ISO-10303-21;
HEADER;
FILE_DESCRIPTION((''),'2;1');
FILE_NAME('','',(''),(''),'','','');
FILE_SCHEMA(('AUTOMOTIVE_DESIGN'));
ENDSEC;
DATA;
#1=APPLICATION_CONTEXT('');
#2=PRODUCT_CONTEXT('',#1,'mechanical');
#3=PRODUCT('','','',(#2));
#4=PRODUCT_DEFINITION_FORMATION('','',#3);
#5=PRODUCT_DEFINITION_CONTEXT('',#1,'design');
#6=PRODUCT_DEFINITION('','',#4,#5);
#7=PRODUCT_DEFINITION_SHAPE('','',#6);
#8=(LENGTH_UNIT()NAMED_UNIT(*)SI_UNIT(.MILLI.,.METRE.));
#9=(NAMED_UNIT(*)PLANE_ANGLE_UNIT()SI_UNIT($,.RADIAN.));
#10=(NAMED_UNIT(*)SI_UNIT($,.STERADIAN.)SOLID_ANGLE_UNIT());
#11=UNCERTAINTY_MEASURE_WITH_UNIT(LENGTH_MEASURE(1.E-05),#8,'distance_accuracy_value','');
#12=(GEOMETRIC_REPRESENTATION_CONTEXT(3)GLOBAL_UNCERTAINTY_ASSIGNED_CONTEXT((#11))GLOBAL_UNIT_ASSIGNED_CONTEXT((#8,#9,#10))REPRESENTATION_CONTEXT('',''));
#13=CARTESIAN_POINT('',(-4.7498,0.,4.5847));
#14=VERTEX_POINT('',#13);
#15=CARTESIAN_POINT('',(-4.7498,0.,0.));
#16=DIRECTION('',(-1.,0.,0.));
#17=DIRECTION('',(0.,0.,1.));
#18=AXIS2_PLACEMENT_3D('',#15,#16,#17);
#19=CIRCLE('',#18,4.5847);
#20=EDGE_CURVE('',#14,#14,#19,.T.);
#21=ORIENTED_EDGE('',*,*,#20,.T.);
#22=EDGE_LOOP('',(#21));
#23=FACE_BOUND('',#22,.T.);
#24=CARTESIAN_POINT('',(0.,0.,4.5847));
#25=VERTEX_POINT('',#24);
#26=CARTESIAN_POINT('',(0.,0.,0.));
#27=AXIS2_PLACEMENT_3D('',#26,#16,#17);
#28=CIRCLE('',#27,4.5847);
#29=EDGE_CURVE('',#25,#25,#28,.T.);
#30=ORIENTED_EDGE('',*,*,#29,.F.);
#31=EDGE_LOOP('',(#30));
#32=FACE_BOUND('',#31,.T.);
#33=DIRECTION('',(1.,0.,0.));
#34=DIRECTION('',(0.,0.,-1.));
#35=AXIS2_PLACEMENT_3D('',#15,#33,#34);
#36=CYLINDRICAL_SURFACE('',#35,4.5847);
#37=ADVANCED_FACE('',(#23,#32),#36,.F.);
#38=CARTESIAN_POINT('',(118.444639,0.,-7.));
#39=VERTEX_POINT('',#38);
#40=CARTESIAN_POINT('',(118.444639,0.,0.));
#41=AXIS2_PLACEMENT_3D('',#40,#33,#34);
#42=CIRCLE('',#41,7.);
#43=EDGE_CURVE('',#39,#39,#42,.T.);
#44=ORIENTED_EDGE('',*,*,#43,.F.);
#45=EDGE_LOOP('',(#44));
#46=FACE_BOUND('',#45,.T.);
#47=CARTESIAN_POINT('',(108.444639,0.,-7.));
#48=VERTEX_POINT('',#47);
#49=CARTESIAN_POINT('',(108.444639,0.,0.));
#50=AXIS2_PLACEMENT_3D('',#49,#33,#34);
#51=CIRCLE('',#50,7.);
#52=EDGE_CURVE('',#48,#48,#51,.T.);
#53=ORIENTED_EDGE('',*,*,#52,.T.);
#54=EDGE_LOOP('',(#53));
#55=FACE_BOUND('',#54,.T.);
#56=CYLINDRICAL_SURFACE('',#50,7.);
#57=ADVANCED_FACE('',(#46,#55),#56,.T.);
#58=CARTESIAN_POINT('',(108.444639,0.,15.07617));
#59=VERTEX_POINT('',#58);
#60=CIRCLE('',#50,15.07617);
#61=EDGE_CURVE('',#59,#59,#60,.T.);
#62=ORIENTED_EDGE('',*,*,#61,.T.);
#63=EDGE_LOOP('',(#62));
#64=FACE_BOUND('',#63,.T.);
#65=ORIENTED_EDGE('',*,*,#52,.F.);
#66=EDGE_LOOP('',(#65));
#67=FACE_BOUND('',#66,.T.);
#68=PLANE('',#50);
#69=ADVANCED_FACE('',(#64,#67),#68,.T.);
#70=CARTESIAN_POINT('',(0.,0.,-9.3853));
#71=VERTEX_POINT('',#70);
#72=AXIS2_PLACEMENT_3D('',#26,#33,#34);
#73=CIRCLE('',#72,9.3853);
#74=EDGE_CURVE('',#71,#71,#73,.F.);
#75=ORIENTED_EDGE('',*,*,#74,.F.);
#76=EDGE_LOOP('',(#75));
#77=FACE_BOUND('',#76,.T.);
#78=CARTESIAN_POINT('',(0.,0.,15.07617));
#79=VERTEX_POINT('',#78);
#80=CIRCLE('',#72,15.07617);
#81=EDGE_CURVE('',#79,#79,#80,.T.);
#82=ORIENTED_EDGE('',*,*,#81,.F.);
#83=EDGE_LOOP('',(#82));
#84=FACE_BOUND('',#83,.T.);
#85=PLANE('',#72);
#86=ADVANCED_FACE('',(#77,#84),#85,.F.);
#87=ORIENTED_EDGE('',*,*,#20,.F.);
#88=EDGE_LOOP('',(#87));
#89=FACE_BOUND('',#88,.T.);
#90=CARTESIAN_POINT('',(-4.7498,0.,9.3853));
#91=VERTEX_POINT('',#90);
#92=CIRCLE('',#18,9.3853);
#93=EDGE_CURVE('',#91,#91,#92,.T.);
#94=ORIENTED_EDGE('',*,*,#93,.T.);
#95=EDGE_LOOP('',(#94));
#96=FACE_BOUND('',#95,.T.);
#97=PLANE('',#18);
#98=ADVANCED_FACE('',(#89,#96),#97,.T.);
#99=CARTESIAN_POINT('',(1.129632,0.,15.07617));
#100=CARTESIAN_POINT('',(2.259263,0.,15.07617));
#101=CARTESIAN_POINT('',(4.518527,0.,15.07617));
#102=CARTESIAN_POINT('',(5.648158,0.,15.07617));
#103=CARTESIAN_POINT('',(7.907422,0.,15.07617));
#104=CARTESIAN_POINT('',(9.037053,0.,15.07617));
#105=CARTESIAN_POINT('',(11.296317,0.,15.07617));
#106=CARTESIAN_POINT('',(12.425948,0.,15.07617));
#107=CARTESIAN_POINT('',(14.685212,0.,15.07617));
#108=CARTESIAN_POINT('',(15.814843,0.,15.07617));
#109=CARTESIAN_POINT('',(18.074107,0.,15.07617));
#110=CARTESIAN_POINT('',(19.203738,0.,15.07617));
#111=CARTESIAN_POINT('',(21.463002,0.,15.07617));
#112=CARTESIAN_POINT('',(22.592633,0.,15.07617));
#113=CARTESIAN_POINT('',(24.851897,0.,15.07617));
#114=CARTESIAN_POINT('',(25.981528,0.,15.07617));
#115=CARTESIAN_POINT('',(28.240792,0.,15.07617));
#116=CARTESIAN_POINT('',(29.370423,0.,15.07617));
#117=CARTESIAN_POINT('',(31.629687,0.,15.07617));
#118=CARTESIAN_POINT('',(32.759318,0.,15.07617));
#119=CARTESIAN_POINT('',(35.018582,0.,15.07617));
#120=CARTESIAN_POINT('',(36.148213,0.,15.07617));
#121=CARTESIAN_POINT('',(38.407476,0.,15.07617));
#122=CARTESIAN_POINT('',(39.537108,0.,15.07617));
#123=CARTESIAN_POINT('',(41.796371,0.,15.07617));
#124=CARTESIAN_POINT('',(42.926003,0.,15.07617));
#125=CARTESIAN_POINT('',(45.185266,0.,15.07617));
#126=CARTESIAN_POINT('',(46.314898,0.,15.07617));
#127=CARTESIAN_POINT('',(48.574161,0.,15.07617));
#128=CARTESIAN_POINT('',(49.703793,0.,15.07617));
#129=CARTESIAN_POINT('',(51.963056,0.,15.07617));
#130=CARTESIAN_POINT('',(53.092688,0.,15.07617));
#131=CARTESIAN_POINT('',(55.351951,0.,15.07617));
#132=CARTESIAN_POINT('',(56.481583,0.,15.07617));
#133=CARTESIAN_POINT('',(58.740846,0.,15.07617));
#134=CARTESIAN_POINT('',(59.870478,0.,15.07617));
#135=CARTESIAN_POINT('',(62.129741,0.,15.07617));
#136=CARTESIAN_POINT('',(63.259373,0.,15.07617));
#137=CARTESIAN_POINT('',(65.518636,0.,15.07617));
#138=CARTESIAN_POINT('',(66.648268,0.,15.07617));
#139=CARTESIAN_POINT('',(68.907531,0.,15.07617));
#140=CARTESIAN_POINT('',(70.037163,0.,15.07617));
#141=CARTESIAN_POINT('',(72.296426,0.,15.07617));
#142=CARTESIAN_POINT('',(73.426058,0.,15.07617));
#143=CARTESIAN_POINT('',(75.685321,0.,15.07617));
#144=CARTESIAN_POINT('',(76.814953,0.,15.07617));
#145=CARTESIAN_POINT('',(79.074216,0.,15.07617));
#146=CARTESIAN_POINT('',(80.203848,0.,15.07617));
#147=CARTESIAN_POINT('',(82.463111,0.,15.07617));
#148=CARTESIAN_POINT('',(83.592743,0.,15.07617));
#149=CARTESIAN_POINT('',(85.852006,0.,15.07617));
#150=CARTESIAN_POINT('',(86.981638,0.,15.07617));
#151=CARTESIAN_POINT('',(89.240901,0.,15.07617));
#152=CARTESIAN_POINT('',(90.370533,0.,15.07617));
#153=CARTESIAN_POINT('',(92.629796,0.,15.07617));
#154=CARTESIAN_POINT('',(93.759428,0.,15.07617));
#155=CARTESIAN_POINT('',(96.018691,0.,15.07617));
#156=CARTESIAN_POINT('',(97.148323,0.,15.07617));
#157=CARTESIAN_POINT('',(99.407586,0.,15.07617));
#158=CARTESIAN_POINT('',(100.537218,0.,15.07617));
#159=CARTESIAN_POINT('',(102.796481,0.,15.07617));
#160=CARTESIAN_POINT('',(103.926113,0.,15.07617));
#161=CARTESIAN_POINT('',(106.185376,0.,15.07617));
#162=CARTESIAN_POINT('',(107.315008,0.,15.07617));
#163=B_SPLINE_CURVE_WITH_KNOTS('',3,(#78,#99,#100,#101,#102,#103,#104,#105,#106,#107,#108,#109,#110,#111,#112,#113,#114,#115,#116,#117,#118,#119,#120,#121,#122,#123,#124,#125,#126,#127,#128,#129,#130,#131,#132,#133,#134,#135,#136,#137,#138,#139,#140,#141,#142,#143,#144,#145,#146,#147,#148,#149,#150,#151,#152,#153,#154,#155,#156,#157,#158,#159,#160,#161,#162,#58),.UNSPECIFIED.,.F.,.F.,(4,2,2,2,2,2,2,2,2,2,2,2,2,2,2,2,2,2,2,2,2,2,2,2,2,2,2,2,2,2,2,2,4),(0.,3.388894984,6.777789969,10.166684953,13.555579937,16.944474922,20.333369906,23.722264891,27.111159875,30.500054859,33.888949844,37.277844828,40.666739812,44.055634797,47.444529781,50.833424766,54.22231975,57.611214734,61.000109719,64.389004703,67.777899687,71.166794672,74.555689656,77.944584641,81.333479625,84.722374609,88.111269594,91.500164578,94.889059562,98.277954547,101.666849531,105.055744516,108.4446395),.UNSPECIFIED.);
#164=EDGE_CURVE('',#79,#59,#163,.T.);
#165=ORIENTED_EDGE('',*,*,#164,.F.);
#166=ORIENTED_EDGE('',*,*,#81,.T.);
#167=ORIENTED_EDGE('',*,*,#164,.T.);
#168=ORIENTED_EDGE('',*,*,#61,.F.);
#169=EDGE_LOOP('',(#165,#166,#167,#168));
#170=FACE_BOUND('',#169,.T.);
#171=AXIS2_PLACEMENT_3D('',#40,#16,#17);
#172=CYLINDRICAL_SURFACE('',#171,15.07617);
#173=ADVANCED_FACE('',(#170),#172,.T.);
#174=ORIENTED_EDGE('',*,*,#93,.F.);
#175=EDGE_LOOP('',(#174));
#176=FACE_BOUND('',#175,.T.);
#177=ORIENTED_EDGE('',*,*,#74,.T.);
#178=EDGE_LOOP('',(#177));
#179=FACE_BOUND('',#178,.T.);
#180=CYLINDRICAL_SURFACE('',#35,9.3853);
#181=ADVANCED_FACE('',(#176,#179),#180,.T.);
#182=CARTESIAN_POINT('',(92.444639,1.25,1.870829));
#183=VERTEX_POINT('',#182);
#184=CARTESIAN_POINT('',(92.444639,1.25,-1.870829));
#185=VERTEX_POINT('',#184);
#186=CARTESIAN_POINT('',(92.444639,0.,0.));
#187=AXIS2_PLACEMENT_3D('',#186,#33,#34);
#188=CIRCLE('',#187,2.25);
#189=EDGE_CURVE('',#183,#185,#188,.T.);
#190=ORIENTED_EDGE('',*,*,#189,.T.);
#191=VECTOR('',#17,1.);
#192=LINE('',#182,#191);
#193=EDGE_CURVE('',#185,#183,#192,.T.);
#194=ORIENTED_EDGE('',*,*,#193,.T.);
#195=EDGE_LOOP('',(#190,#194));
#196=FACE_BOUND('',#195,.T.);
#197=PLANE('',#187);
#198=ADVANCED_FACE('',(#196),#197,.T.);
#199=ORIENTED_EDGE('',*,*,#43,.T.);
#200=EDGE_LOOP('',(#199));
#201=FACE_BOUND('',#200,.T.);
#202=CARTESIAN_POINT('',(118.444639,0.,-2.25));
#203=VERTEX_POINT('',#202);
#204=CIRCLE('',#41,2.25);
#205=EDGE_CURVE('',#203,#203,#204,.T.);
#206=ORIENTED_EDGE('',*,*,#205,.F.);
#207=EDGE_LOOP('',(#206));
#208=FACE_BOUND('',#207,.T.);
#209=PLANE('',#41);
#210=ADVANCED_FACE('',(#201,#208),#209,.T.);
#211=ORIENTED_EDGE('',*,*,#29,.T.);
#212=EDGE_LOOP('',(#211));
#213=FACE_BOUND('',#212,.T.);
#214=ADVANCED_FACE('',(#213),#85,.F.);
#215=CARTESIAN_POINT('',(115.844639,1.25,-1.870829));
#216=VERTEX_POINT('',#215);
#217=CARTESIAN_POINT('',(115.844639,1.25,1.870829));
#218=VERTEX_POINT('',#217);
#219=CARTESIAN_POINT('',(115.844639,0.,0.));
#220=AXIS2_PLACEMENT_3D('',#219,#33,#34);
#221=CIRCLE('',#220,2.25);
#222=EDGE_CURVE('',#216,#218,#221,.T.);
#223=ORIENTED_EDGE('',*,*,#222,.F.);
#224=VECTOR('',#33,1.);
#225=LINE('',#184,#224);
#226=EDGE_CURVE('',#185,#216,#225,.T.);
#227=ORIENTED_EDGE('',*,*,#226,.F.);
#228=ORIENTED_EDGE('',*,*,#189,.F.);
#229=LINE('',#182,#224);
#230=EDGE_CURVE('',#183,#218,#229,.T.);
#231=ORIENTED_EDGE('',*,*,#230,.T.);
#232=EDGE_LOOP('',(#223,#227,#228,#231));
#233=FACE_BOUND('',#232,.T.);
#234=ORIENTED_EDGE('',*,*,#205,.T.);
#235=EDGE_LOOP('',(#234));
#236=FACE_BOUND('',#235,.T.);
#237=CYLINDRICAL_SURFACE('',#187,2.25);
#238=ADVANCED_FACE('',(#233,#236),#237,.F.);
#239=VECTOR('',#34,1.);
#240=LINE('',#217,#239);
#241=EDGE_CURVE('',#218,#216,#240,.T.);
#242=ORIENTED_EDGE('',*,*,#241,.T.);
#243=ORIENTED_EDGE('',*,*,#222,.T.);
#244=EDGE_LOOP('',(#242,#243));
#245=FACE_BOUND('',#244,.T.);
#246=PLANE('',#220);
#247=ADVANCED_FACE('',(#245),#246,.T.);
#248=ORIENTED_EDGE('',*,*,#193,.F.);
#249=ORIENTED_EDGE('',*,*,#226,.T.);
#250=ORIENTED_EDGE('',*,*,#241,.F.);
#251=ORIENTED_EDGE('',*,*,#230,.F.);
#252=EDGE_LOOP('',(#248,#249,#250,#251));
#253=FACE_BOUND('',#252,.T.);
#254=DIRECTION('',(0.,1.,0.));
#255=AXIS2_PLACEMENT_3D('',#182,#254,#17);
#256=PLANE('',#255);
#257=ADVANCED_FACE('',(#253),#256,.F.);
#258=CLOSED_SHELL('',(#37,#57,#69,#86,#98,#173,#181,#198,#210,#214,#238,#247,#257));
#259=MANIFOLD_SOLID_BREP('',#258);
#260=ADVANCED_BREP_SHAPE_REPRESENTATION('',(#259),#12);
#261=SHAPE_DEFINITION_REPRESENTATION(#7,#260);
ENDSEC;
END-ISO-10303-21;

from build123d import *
from build123d.topology import SkipClean

# Parameters (mm, degrees)
SKETCH1_R           = 15.07617
BOSS_EXTRUDE1_DEPTH = 118.4446395
SKETCH2_R           = 9.3853
SKETCH2_R_2         = 4.5847
BOSS_EXTRUDE2_DEPTH = 4.7498
CUT_EXTRUDE1_DEPTH  = 26
SKETCH4_R           = 2.25
CUT_EXTRUDE2_DEPTH  = 2.6
CUT_EXTRUDE3_START  = -10
SKETCH5_R           = 15.07617
SKETCH5_R_2         = 7
CUT_EXTRUDE3_DEPTH  = 10


with BuildPart() as part:
    # Sketch1 → Boss-Extrude1 (new body)
    with BuildSketch(Plane(origin=(0, 0, 0), x_dir=(0, 0, -1), z_dir=(1, 0, 0))):
        with Locations(Location((0, 0, 0), (0, 0, 180))):
            Circle(SKETCH1_R)
    extrude(amount=BOSS_EXTRUDE1_DEPTH)

    # Sketch2 → Boss-Extrude2 (add)
    with BuildSketch(Plane.ZY):
        with Locations(Location((0, 0, 0), (0, 0, 180))):
            Circle(SKETCH2_R)
        Circle(SKETCH2_R_2, mode=Mode.SUBTRACT)
    extrude(amount=BOSS_EXTRUDE2_DEPTH)

    # Sketch3 → Cut-Extrude1 (cut)
    with BuildSketch(Plane(origin=(118.4446395, 0, 0), x_dir=(0, 0, -1), z_dir=(1, 0, 0))):
        with BuildLine():
            Line((-1.870828693, 1.25), (1.870828693, 1.25))
            ThreePointArc((1.870828693, 1.25), (0, -2.25), (-1.870828693, 1.25))
        make_face()
    extrude(amount=-CUT_EXTRUDE1_DEPTH, mode=Mode.SUBTRACT)

    # Sketch4 → Cut-Extrude2 (cut)
    with SkipClean():  # the faces are left unmerged after this step: merging them gives an invalid solid
        with BuildSketch(Plane(origin=(118.4446395, 0, 0), x_dir=(0, 0, -1), z_dir=(1, 0, 0))):
            Circle(SKETCH4_R)
        extrude(amount=-CUT_EXTRUDE2_DEPTH, mode=Mode.SUBTRACT)

    # Sketch5 → Cut-Extrude3 (cut)
    with SkipClean():  # the faces are left unmerged after this step: merging them gives an invalid solid
        with BuildSketch(Plane(origin=(118.4446395, 0, 0), x_dir=(0, 0, -1), z_dir=(1, 0, 0)).offset(CUT_EXTRUDE3_START)):
            with Locations(Location((0, 0, 0), (0, 0, 180))):
                Circle(SKETCH5_R)
            Circle(SKETCH5_R_2, mode=Mode.SUBTRACT)
        extrude(amount=CUT_EXTRUDE3_DEPTH, mode=Mode.SUBTRACT)


solid = part.part
